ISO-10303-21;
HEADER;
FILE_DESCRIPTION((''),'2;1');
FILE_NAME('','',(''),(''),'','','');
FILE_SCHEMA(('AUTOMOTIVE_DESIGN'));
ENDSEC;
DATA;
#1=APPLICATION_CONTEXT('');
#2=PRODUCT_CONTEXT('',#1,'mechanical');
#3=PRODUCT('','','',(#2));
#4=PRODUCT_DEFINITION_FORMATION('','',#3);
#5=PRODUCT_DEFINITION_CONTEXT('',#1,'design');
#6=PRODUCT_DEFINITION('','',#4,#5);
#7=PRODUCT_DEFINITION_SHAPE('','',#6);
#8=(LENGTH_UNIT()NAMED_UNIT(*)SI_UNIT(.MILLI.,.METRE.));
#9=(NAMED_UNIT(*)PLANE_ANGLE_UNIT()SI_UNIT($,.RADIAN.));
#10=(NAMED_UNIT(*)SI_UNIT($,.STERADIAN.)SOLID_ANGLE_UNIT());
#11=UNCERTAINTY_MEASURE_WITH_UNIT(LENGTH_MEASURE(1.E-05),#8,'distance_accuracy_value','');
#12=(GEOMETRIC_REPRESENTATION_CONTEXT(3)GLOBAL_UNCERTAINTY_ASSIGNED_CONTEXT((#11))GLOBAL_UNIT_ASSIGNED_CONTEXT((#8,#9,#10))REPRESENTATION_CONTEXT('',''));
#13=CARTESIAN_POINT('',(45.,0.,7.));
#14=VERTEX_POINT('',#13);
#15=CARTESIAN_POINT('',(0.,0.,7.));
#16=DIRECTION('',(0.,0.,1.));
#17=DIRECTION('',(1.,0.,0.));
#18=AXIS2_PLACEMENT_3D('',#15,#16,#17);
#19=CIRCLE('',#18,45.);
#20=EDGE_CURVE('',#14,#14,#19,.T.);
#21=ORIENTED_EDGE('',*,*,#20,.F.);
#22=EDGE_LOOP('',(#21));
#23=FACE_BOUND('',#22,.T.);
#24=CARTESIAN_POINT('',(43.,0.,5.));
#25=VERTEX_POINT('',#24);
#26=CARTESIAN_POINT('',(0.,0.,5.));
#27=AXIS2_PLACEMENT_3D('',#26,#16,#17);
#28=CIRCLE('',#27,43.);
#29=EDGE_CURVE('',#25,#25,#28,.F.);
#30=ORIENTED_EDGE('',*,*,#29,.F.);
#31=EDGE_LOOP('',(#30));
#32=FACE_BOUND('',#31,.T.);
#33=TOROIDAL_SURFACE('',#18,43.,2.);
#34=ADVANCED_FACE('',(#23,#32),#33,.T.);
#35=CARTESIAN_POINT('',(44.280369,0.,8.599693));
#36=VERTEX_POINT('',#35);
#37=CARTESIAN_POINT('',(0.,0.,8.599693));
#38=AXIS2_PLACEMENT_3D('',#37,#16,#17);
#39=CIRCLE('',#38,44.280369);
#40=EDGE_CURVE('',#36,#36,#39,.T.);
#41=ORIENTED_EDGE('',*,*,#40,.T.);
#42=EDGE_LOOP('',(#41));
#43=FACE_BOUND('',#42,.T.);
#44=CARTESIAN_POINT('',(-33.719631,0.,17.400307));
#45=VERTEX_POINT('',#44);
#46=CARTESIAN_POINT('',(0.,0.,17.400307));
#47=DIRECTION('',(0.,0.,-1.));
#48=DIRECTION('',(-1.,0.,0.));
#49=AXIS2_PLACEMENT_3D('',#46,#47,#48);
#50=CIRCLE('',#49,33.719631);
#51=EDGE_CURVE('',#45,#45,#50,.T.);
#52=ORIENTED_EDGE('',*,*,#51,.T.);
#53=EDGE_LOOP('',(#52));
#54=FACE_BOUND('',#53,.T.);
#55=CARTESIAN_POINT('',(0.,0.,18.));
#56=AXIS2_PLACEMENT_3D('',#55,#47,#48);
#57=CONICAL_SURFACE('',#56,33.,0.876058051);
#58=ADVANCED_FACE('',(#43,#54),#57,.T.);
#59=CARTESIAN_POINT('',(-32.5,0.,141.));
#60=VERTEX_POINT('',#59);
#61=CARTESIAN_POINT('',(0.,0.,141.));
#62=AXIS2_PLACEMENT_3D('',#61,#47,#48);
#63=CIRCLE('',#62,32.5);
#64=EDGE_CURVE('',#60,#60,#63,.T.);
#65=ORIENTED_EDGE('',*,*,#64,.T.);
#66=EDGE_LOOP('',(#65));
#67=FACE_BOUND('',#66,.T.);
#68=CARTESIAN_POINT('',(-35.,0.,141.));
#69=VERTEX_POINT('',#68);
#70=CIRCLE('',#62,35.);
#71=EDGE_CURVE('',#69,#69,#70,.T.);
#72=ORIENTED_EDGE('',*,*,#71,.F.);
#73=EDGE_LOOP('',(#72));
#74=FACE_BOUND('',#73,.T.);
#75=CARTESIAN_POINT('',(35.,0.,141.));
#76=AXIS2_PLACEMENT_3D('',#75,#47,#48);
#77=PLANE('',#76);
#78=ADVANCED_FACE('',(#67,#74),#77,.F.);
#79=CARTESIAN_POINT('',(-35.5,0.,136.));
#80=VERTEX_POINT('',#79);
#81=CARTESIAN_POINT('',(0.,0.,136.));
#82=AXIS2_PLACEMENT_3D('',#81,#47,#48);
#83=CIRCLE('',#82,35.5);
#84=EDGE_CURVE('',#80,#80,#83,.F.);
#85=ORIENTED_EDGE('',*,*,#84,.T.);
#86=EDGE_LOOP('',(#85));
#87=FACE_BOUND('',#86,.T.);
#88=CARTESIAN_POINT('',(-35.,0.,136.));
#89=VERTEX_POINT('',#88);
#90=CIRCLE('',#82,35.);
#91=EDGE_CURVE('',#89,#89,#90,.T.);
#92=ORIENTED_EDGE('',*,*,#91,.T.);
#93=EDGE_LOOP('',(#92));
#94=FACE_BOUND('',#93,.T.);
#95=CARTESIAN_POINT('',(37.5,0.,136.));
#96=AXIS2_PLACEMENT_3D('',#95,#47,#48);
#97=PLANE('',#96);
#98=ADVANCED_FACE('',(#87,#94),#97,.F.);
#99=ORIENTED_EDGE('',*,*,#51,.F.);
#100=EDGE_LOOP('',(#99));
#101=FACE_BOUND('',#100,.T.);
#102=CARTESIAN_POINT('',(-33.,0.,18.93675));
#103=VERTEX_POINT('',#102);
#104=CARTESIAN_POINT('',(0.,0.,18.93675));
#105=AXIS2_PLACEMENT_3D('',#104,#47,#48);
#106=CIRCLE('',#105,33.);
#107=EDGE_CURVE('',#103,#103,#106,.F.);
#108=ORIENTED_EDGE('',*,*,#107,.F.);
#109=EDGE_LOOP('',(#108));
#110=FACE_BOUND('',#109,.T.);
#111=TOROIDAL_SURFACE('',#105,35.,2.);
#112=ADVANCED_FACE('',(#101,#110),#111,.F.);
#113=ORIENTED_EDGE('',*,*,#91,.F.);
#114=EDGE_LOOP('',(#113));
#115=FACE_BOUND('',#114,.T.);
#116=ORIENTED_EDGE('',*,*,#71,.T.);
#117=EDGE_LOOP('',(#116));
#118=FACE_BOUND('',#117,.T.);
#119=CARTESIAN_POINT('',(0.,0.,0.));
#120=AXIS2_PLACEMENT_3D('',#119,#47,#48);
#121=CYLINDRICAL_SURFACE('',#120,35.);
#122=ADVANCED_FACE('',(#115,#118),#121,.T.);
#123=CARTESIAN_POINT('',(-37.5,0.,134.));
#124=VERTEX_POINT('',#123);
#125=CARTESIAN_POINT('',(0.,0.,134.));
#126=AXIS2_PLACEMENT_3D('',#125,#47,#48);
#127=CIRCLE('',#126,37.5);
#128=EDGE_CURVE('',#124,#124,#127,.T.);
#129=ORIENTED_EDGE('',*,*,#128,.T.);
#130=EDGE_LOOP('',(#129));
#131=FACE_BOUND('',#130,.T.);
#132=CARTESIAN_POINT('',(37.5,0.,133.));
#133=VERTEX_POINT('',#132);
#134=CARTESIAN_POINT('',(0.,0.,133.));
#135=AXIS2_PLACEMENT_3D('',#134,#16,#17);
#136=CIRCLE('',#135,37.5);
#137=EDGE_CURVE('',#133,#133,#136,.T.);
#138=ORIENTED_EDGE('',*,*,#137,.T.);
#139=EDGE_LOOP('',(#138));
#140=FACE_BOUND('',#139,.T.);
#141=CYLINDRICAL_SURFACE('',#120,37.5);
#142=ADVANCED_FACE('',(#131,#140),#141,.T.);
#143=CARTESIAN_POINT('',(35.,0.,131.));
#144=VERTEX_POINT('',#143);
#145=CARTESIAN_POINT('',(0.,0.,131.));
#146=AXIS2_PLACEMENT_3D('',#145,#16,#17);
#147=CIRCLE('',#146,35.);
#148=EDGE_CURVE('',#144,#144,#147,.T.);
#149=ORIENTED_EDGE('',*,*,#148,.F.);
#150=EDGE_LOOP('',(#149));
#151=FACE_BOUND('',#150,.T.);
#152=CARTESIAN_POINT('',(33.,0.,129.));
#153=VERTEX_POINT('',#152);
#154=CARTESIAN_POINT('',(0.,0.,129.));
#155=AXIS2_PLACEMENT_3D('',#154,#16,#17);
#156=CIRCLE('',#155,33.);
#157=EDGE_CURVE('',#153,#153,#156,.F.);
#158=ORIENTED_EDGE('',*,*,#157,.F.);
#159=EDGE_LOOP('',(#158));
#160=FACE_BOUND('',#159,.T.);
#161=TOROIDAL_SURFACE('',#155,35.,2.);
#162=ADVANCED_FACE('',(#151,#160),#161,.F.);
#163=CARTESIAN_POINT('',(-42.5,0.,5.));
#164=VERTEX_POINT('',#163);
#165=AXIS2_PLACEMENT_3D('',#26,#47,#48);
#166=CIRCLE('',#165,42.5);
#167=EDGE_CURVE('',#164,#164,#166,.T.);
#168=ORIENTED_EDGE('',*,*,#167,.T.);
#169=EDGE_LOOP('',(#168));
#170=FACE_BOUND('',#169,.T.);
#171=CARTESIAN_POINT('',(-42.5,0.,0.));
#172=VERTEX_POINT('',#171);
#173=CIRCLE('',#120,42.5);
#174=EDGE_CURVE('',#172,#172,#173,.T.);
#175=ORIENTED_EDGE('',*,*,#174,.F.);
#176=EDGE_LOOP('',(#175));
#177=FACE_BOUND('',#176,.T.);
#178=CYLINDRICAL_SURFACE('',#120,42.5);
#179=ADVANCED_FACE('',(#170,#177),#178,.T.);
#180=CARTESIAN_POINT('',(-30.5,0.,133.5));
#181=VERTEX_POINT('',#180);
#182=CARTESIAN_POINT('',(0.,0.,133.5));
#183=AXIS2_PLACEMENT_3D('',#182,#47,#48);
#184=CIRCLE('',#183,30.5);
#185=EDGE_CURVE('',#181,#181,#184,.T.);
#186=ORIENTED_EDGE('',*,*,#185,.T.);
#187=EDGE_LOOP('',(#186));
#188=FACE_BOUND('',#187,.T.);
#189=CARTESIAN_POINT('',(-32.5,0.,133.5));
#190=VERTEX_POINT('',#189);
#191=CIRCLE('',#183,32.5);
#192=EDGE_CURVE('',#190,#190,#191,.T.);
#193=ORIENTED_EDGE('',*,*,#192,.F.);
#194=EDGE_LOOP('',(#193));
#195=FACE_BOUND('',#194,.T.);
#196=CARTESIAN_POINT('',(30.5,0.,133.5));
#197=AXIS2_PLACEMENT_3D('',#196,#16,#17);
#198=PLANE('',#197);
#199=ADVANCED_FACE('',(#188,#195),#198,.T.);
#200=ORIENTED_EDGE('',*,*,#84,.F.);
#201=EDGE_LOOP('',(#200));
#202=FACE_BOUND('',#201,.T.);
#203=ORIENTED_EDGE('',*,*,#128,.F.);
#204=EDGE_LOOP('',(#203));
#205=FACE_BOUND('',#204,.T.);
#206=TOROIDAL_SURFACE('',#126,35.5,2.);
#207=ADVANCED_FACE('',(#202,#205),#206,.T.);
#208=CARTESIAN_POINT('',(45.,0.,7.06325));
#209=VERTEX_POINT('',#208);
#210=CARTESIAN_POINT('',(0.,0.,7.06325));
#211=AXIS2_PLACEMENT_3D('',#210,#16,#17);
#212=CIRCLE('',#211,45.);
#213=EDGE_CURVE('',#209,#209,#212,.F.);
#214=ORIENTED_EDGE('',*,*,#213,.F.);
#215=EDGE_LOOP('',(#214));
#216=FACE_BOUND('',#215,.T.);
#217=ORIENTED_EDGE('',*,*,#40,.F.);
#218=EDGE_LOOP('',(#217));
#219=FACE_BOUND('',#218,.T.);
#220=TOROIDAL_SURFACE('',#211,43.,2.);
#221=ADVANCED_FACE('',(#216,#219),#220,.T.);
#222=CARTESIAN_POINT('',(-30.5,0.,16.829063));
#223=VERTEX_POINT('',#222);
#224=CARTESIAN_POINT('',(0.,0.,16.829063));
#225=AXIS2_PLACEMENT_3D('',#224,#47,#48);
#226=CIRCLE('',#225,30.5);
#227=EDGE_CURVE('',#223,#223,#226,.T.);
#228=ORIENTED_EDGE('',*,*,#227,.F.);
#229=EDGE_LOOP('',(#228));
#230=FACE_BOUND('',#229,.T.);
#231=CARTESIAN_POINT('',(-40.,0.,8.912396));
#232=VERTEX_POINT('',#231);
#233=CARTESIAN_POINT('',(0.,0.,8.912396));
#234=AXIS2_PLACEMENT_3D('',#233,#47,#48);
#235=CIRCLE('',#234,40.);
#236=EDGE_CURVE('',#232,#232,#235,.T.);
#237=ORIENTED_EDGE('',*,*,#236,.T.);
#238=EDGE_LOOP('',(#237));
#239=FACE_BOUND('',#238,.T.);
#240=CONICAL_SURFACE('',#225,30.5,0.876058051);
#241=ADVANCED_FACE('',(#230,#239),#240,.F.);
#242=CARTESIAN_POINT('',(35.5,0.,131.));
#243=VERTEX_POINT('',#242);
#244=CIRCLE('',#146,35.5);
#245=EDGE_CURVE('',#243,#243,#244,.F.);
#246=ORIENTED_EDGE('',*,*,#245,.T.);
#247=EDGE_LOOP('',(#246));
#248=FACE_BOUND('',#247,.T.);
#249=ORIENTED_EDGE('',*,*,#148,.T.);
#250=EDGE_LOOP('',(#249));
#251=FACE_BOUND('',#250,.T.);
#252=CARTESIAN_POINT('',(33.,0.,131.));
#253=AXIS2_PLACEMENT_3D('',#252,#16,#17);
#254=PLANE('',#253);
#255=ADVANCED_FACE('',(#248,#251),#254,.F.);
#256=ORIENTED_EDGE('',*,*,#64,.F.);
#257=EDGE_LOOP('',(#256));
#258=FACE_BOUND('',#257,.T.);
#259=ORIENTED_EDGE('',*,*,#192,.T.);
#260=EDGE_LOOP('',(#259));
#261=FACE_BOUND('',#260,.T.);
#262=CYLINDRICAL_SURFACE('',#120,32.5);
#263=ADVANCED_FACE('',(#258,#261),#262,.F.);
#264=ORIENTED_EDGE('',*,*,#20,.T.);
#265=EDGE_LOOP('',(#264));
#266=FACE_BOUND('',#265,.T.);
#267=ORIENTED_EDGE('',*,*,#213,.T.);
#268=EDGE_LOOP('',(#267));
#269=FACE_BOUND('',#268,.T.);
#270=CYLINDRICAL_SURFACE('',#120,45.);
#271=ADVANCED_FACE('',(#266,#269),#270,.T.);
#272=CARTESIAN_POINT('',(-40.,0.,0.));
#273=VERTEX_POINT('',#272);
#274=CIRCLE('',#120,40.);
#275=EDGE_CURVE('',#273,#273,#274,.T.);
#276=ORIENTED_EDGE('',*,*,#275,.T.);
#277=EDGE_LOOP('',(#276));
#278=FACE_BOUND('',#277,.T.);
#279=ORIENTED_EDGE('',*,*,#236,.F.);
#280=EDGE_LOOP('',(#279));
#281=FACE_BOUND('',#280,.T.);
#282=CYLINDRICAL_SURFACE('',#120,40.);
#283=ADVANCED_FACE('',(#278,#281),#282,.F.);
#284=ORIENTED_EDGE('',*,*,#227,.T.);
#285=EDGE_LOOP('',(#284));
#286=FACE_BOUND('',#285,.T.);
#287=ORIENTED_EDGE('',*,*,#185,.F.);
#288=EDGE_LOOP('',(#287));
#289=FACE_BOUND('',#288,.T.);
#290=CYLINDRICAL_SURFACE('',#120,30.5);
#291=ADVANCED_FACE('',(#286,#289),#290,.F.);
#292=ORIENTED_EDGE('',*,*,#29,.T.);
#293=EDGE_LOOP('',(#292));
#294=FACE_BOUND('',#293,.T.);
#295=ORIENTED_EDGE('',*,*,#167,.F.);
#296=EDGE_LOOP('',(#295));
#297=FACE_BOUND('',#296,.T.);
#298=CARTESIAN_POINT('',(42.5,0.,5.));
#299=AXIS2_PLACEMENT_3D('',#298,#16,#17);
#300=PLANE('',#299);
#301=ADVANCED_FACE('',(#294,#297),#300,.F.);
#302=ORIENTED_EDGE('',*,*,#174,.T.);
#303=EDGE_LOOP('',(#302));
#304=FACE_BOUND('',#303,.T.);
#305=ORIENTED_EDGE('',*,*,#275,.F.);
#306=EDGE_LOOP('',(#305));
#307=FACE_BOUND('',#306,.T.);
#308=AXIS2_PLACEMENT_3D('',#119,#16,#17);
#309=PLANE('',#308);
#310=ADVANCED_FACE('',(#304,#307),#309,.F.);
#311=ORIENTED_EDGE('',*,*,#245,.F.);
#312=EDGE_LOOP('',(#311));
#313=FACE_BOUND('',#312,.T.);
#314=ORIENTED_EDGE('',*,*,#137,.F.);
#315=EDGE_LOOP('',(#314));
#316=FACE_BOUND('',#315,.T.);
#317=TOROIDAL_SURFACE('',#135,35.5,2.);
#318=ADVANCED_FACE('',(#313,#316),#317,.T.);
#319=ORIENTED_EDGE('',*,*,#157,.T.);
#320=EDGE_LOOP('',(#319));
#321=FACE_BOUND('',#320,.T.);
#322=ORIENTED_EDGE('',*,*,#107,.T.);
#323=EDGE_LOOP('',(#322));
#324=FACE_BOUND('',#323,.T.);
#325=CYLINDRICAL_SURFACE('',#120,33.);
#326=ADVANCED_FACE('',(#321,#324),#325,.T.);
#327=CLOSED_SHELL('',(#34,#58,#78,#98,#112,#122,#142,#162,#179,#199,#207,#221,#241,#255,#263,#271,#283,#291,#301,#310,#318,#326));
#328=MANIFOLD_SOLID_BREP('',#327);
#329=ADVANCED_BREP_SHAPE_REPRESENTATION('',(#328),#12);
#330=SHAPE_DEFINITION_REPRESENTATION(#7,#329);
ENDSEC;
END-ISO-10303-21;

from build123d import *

# Parameters (mm, degrees)
FILLET1_R = 2


with BuildPart() as part:
    # Sketch1 → Revolve1 (revolve)
    with BuildSketch(Plane(origin=(0, 0, 0), x_dir=(1, 0, 0), z_dir=(0, 1, 0))):
        Polygon((0, 0), (0, -141), (35, -141), (35, -136), (37.5, -136), (37.5, -131), (33, -131), (33, -18), (45, -8), (45, -5), (42.5, -5), (42.5, 0), align=None)
    revolve(axis=Axis((0, 0, 0), (0, 0, 1)))

    # Fillet1
    fillet1_edges = [part.edges().sort_by_distance(p)[0] for p in [
        (-37.5, 0, 136),
        (-37.5, 0, 131),
        (-33, 0, 131),
        (-33, 0, 18),
        (-45, 0, 8),
        (-45, 0, 5),
    ]]
    fillet(fillet1_edges, radius=FILLET1_R)

    # Sketch2 → Cut-Revolve1 (revolve, cut)
    with BuildSketch(Plane(origin=(0, 0, 0), x_dir=(1, 0, 0), z_dir=(0, 1, 0))):
        Polygon((40, 0), (40, -8.912395968), (30.5, -16.829062635), (30.5, -133.5), (32.5, -133.5), (32.5, -141), (0, -141), (0, 0), align=None)
    revolve(axis=Axis((0, 0, 0), (0, 0, 1)), mode=Mode.SUBTRACT)


solid = part.part
